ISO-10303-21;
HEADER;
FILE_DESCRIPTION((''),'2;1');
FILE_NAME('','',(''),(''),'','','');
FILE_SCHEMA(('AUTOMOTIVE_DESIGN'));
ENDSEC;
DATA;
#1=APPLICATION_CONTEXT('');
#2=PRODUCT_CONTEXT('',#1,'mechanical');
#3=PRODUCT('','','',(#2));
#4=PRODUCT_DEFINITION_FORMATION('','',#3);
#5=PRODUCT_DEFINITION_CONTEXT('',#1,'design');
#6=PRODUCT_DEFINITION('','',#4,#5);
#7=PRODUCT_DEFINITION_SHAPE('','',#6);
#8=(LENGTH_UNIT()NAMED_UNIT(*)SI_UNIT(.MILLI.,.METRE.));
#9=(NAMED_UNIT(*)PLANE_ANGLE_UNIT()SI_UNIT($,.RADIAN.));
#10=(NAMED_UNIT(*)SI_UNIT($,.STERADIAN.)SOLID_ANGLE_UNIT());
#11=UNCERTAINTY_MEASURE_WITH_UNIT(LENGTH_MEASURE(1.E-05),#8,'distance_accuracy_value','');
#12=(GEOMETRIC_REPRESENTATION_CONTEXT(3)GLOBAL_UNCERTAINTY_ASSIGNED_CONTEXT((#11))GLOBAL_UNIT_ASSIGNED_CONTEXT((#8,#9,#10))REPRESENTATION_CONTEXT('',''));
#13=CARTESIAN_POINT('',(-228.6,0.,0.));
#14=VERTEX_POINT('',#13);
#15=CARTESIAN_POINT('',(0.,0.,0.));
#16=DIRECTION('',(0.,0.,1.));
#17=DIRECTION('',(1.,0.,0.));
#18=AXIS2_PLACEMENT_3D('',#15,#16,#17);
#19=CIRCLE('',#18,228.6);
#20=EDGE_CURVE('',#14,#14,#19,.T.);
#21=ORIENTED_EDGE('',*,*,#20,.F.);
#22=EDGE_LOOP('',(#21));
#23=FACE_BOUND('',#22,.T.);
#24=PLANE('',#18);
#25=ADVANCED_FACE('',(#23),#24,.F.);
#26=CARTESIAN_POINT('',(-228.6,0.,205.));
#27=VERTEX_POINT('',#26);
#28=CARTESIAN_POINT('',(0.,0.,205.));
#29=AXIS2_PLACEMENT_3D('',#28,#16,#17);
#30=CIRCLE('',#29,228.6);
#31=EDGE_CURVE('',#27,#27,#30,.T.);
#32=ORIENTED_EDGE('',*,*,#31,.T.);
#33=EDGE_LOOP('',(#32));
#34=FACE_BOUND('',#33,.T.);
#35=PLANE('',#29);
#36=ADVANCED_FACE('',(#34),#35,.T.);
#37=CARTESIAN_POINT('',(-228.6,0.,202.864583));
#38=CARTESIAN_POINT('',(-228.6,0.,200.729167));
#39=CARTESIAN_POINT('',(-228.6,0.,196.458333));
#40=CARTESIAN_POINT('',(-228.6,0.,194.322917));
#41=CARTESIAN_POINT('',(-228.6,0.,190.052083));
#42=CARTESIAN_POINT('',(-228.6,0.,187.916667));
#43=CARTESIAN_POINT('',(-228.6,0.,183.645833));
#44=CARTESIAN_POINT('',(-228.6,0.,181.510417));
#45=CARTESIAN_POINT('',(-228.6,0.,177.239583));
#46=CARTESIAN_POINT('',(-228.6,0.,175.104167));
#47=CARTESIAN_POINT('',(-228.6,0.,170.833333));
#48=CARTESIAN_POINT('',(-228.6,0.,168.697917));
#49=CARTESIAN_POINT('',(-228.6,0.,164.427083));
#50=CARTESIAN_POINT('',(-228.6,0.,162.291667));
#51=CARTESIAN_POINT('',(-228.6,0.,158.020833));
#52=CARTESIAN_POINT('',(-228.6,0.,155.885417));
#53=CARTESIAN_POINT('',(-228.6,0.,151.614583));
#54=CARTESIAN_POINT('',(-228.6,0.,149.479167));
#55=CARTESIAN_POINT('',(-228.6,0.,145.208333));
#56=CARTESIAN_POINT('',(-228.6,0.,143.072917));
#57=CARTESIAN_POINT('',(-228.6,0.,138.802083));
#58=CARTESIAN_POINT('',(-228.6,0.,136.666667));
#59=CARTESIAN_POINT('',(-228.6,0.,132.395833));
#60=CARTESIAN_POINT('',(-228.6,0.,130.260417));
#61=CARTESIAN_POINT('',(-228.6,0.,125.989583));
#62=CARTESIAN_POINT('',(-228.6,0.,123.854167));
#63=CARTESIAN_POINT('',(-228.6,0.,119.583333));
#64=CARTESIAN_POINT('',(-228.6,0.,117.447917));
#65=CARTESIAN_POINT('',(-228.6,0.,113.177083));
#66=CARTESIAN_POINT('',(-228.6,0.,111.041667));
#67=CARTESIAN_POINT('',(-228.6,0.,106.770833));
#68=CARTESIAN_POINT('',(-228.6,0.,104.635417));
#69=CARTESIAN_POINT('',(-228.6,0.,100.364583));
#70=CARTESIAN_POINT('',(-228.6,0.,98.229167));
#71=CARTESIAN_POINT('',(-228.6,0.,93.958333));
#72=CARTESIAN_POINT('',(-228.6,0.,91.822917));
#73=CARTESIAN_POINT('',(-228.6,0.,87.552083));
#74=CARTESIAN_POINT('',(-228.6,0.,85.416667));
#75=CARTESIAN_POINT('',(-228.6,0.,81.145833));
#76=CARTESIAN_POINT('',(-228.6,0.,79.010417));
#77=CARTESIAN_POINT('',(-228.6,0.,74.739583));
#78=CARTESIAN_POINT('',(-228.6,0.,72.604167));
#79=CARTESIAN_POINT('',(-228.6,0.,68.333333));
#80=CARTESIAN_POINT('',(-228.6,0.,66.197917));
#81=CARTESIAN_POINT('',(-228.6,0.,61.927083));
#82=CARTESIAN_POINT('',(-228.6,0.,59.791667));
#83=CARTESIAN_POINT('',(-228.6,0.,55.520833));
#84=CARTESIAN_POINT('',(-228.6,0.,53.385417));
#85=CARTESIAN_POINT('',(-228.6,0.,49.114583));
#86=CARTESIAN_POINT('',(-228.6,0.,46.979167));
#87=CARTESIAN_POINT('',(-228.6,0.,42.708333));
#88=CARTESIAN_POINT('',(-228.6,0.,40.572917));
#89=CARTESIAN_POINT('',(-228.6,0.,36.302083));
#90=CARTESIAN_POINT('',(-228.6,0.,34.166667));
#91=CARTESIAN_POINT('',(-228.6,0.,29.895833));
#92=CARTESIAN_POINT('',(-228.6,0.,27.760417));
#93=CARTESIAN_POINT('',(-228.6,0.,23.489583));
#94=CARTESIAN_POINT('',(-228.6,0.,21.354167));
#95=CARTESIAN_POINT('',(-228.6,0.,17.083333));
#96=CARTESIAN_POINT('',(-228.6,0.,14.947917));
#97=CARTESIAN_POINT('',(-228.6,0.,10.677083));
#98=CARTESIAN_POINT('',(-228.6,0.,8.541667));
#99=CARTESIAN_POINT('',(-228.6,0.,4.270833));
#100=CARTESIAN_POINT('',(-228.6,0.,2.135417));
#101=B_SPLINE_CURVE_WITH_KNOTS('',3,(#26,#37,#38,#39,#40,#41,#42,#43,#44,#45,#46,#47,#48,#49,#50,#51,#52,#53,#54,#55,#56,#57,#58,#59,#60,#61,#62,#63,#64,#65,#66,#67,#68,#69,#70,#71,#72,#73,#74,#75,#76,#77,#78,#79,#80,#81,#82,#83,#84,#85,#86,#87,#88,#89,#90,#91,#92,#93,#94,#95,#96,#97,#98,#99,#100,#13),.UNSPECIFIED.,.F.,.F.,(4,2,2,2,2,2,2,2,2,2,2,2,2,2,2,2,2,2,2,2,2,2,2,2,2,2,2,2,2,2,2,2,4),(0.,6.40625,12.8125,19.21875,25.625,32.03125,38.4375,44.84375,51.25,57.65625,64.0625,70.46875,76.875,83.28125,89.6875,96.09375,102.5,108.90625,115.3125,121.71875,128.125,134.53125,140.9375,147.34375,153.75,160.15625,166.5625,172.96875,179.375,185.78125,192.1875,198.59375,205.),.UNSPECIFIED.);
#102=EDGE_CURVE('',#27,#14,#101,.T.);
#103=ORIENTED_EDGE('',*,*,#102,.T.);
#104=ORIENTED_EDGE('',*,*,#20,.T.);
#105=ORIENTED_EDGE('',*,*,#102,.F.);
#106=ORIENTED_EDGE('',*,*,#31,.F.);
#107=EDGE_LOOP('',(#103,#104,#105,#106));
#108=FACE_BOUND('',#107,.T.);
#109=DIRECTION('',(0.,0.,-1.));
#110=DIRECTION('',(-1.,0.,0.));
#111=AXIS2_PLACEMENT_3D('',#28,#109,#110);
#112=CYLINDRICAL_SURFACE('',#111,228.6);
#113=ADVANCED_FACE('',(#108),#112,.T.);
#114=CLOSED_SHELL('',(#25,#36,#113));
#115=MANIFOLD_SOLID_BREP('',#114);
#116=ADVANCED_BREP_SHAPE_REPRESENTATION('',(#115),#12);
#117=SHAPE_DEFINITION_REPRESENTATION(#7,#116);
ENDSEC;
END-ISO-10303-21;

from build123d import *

# Parameters (mm, degrees)
ESBO_O1_R                = 228.6
RESSALTO_EXTRUS_O3_DEPTH = 205


with BuildPart() as part:
    # Esboço1 → Ressalto-extrusão3 (new body)
    with BuildSketch(Plane.XY):
        with Locations(Location((0, 0, 0), (0, 0, 180))):
            Circle(ESBO_O1_R)
    extrude(amount=RESSALTO_EXTRUS_O3_DEPTH)


solid = part.part
